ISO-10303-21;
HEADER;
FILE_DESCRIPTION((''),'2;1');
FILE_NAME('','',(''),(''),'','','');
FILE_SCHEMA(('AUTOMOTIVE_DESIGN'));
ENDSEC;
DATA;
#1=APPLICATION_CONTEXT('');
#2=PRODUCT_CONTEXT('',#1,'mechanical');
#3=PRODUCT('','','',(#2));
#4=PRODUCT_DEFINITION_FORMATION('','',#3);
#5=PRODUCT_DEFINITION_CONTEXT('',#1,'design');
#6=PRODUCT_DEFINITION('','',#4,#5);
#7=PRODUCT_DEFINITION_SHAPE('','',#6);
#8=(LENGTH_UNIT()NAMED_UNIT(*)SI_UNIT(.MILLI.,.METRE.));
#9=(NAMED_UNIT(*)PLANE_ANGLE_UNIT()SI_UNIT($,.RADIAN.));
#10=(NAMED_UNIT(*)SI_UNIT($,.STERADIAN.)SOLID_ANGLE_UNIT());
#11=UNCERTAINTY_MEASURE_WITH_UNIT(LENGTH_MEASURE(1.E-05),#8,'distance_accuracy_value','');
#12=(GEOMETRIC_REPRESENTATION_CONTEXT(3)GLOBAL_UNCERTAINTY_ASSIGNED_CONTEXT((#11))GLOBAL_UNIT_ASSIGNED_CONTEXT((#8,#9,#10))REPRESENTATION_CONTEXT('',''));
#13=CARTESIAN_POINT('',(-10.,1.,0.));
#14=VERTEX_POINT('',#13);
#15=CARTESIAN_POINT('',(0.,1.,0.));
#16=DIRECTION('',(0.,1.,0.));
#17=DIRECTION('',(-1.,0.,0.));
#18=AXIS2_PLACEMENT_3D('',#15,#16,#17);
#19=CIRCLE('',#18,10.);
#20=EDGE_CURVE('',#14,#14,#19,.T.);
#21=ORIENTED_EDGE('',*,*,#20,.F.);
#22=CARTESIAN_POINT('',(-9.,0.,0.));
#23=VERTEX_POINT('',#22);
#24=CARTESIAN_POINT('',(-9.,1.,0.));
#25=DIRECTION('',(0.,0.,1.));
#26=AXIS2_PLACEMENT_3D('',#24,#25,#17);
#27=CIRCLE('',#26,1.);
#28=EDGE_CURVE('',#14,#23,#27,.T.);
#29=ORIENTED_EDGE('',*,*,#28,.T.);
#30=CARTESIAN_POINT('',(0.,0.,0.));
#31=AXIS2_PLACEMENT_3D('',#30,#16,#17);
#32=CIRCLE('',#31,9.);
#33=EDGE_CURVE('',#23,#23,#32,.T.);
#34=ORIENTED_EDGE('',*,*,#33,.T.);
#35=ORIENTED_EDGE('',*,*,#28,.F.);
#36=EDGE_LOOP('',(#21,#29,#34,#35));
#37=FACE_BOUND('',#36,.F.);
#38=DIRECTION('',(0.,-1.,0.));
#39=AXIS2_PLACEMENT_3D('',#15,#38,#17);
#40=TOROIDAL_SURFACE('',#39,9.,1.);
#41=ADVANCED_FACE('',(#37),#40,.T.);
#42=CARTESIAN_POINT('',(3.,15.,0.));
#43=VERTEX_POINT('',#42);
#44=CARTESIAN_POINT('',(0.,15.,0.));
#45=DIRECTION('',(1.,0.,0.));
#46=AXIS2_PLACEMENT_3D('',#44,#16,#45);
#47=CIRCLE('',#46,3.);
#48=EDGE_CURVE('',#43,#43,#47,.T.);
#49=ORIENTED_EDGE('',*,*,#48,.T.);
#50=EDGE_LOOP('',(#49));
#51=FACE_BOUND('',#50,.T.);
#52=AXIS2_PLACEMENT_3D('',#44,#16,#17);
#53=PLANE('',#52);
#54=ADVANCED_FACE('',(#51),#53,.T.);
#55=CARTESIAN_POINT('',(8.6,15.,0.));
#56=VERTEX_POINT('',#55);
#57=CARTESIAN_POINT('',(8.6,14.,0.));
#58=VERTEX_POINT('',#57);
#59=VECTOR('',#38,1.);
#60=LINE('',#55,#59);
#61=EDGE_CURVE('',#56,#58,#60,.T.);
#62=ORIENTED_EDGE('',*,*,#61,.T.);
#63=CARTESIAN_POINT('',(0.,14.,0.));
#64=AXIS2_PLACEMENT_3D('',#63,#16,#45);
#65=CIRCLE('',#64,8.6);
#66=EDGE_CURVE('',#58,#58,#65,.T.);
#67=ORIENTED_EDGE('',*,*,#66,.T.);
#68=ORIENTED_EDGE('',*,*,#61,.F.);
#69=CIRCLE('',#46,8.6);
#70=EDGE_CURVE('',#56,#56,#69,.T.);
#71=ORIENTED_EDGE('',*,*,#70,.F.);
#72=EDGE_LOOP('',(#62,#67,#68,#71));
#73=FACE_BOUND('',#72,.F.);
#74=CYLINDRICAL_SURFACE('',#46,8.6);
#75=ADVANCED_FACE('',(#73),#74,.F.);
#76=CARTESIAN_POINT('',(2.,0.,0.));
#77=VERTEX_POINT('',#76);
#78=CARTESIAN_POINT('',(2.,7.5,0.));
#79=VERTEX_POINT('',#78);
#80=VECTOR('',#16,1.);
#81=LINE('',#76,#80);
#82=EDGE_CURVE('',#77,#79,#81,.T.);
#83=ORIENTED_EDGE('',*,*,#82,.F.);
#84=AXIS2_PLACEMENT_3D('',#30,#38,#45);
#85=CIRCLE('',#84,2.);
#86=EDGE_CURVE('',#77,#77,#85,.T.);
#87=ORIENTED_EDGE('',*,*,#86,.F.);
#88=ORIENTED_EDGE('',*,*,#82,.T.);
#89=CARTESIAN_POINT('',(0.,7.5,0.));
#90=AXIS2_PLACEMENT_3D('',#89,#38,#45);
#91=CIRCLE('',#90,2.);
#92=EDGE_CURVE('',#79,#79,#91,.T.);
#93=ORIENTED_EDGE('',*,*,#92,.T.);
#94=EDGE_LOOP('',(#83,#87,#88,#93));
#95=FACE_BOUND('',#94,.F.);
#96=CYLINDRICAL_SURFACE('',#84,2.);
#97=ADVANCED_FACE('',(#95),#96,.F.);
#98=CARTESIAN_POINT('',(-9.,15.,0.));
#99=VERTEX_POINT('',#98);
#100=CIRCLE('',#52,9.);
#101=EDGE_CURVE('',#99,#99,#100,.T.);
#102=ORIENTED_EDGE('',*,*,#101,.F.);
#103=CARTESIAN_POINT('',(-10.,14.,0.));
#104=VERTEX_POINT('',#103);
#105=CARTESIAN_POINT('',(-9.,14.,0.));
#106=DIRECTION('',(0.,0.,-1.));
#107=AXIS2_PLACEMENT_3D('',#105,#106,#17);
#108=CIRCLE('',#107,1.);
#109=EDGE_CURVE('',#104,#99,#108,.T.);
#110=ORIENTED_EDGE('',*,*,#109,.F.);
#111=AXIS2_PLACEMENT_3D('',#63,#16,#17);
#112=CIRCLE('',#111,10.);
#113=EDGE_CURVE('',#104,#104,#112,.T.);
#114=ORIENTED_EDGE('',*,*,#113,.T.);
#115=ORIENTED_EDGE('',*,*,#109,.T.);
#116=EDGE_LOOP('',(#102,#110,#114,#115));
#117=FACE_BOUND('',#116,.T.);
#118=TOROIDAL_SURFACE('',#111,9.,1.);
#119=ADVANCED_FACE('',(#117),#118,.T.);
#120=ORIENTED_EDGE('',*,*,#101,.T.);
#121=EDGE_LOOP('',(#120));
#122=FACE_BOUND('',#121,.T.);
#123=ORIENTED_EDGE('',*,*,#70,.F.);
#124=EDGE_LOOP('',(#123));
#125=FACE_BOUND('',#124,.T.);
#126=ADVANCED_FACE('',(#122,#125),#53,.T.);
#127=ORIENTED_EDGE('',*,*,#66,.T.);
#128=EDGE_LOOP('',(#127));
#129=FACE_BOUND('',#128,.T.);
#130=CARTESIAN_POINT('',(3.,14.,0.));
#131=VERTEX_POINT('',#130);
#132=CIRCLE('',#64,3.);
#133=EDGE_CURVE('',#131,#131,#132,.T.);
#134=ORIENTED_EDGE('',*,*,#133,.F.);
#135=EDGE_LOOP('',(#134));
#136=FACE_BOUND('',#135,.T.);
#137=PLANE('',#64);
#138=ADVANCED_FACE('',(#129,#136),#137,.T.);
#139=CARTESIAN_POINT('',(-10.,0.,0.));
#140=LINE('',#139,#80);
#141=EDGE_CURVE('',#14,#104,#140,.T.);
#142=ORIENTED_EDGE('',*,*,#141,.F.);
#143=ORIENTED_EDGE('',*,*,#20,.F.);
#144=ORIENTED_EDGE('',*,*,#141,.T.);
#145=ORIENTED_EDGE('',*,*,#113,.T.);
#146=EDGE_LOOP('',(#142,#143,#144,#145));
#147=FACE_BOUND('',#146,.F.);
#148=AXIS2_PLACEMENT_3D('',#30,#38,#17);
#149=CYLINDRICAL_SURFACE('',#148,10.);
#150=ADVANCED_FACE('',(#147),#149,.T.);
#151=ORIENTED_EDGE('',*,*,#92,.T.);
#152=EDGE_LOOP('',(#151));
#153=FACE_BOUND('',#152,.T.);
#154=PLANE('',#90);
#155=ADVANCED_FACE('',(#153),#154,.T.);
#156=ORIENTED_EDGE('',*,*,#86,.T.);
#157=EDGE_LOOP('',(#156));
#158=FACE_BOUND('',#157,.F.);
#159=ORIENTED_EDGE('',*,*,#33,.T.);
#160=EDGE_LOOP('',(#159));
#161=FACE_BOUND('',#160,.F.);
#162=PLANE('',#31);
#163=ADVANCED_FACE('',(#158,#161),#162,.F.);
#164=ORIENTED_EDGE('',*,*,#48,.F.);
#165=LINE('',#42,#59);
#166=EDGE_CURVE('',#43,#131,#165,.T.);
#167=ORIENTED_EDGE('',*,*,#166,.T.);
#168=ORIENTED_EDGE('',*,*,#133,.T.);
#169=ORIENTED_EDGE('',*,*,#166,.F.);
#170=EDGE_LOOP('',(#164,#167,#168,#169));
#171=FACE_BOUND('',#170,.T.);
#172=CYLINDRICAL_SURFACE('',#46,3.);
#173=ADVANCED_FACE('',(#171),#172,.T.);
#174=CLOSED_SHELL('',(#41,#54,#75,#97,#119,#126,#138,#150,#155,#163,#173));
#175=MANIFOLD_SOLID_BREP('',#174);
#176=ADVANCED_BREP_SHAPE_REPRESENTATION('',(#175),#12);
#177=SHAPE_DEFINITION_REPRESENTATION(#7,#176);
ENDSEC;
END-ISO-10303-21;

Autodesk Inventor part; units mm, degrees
ref_plane "YZ Plane" through (0, 0, 0) normal (1, 0, 0) x (0, 1, 0)
ref_plane "XZ Plane" through (0, 0, 0) normal (0, 1, 0) x (-1, 0, 0)
ref_plane "XY Plane" through (0, 0, 0) normal (0, 0, 1) x (1, 0, 0)
sketch "Boceto1" plane through (0, 0, 0) normal (0, 1, 0) x (-1, 0, 0)
  circle A0 centre (0, 0) radius 10
  dimension "d0" = 20
extrude "Extrusión1" add sketch "Boceto1" along normal blind 15
sketch "Boceto2" plane through (0, 15, 0) normal (0, 1, 0) x (1, 0, 0)
  circle A0 centre (0, 0) radius 3
  circle A1 centre (0, 0) radius 8.6
  circle A2 centre (0, 0) radius 10 projected
  dimension "d3" = 1.4
  dimension "d4" = 6
extrude "Extrusión2" cut sketch "Boceto2" against normal blind 1 contours A1
sketch "Boceto3" plane through (0, 0, 0) normal (0, -1, 0) x (1, 0, 0)
  circle A0 centre (0, 0) radius 2
  dimension "d7" = 4
extrude "Extrusión3" cut sketch "Boceto3" against normal blind 7.5
fillet "Empalme1" radius 1 2 edges at (10, 0, 0) (10, 15, 0)
properties part number "electromagnet"
